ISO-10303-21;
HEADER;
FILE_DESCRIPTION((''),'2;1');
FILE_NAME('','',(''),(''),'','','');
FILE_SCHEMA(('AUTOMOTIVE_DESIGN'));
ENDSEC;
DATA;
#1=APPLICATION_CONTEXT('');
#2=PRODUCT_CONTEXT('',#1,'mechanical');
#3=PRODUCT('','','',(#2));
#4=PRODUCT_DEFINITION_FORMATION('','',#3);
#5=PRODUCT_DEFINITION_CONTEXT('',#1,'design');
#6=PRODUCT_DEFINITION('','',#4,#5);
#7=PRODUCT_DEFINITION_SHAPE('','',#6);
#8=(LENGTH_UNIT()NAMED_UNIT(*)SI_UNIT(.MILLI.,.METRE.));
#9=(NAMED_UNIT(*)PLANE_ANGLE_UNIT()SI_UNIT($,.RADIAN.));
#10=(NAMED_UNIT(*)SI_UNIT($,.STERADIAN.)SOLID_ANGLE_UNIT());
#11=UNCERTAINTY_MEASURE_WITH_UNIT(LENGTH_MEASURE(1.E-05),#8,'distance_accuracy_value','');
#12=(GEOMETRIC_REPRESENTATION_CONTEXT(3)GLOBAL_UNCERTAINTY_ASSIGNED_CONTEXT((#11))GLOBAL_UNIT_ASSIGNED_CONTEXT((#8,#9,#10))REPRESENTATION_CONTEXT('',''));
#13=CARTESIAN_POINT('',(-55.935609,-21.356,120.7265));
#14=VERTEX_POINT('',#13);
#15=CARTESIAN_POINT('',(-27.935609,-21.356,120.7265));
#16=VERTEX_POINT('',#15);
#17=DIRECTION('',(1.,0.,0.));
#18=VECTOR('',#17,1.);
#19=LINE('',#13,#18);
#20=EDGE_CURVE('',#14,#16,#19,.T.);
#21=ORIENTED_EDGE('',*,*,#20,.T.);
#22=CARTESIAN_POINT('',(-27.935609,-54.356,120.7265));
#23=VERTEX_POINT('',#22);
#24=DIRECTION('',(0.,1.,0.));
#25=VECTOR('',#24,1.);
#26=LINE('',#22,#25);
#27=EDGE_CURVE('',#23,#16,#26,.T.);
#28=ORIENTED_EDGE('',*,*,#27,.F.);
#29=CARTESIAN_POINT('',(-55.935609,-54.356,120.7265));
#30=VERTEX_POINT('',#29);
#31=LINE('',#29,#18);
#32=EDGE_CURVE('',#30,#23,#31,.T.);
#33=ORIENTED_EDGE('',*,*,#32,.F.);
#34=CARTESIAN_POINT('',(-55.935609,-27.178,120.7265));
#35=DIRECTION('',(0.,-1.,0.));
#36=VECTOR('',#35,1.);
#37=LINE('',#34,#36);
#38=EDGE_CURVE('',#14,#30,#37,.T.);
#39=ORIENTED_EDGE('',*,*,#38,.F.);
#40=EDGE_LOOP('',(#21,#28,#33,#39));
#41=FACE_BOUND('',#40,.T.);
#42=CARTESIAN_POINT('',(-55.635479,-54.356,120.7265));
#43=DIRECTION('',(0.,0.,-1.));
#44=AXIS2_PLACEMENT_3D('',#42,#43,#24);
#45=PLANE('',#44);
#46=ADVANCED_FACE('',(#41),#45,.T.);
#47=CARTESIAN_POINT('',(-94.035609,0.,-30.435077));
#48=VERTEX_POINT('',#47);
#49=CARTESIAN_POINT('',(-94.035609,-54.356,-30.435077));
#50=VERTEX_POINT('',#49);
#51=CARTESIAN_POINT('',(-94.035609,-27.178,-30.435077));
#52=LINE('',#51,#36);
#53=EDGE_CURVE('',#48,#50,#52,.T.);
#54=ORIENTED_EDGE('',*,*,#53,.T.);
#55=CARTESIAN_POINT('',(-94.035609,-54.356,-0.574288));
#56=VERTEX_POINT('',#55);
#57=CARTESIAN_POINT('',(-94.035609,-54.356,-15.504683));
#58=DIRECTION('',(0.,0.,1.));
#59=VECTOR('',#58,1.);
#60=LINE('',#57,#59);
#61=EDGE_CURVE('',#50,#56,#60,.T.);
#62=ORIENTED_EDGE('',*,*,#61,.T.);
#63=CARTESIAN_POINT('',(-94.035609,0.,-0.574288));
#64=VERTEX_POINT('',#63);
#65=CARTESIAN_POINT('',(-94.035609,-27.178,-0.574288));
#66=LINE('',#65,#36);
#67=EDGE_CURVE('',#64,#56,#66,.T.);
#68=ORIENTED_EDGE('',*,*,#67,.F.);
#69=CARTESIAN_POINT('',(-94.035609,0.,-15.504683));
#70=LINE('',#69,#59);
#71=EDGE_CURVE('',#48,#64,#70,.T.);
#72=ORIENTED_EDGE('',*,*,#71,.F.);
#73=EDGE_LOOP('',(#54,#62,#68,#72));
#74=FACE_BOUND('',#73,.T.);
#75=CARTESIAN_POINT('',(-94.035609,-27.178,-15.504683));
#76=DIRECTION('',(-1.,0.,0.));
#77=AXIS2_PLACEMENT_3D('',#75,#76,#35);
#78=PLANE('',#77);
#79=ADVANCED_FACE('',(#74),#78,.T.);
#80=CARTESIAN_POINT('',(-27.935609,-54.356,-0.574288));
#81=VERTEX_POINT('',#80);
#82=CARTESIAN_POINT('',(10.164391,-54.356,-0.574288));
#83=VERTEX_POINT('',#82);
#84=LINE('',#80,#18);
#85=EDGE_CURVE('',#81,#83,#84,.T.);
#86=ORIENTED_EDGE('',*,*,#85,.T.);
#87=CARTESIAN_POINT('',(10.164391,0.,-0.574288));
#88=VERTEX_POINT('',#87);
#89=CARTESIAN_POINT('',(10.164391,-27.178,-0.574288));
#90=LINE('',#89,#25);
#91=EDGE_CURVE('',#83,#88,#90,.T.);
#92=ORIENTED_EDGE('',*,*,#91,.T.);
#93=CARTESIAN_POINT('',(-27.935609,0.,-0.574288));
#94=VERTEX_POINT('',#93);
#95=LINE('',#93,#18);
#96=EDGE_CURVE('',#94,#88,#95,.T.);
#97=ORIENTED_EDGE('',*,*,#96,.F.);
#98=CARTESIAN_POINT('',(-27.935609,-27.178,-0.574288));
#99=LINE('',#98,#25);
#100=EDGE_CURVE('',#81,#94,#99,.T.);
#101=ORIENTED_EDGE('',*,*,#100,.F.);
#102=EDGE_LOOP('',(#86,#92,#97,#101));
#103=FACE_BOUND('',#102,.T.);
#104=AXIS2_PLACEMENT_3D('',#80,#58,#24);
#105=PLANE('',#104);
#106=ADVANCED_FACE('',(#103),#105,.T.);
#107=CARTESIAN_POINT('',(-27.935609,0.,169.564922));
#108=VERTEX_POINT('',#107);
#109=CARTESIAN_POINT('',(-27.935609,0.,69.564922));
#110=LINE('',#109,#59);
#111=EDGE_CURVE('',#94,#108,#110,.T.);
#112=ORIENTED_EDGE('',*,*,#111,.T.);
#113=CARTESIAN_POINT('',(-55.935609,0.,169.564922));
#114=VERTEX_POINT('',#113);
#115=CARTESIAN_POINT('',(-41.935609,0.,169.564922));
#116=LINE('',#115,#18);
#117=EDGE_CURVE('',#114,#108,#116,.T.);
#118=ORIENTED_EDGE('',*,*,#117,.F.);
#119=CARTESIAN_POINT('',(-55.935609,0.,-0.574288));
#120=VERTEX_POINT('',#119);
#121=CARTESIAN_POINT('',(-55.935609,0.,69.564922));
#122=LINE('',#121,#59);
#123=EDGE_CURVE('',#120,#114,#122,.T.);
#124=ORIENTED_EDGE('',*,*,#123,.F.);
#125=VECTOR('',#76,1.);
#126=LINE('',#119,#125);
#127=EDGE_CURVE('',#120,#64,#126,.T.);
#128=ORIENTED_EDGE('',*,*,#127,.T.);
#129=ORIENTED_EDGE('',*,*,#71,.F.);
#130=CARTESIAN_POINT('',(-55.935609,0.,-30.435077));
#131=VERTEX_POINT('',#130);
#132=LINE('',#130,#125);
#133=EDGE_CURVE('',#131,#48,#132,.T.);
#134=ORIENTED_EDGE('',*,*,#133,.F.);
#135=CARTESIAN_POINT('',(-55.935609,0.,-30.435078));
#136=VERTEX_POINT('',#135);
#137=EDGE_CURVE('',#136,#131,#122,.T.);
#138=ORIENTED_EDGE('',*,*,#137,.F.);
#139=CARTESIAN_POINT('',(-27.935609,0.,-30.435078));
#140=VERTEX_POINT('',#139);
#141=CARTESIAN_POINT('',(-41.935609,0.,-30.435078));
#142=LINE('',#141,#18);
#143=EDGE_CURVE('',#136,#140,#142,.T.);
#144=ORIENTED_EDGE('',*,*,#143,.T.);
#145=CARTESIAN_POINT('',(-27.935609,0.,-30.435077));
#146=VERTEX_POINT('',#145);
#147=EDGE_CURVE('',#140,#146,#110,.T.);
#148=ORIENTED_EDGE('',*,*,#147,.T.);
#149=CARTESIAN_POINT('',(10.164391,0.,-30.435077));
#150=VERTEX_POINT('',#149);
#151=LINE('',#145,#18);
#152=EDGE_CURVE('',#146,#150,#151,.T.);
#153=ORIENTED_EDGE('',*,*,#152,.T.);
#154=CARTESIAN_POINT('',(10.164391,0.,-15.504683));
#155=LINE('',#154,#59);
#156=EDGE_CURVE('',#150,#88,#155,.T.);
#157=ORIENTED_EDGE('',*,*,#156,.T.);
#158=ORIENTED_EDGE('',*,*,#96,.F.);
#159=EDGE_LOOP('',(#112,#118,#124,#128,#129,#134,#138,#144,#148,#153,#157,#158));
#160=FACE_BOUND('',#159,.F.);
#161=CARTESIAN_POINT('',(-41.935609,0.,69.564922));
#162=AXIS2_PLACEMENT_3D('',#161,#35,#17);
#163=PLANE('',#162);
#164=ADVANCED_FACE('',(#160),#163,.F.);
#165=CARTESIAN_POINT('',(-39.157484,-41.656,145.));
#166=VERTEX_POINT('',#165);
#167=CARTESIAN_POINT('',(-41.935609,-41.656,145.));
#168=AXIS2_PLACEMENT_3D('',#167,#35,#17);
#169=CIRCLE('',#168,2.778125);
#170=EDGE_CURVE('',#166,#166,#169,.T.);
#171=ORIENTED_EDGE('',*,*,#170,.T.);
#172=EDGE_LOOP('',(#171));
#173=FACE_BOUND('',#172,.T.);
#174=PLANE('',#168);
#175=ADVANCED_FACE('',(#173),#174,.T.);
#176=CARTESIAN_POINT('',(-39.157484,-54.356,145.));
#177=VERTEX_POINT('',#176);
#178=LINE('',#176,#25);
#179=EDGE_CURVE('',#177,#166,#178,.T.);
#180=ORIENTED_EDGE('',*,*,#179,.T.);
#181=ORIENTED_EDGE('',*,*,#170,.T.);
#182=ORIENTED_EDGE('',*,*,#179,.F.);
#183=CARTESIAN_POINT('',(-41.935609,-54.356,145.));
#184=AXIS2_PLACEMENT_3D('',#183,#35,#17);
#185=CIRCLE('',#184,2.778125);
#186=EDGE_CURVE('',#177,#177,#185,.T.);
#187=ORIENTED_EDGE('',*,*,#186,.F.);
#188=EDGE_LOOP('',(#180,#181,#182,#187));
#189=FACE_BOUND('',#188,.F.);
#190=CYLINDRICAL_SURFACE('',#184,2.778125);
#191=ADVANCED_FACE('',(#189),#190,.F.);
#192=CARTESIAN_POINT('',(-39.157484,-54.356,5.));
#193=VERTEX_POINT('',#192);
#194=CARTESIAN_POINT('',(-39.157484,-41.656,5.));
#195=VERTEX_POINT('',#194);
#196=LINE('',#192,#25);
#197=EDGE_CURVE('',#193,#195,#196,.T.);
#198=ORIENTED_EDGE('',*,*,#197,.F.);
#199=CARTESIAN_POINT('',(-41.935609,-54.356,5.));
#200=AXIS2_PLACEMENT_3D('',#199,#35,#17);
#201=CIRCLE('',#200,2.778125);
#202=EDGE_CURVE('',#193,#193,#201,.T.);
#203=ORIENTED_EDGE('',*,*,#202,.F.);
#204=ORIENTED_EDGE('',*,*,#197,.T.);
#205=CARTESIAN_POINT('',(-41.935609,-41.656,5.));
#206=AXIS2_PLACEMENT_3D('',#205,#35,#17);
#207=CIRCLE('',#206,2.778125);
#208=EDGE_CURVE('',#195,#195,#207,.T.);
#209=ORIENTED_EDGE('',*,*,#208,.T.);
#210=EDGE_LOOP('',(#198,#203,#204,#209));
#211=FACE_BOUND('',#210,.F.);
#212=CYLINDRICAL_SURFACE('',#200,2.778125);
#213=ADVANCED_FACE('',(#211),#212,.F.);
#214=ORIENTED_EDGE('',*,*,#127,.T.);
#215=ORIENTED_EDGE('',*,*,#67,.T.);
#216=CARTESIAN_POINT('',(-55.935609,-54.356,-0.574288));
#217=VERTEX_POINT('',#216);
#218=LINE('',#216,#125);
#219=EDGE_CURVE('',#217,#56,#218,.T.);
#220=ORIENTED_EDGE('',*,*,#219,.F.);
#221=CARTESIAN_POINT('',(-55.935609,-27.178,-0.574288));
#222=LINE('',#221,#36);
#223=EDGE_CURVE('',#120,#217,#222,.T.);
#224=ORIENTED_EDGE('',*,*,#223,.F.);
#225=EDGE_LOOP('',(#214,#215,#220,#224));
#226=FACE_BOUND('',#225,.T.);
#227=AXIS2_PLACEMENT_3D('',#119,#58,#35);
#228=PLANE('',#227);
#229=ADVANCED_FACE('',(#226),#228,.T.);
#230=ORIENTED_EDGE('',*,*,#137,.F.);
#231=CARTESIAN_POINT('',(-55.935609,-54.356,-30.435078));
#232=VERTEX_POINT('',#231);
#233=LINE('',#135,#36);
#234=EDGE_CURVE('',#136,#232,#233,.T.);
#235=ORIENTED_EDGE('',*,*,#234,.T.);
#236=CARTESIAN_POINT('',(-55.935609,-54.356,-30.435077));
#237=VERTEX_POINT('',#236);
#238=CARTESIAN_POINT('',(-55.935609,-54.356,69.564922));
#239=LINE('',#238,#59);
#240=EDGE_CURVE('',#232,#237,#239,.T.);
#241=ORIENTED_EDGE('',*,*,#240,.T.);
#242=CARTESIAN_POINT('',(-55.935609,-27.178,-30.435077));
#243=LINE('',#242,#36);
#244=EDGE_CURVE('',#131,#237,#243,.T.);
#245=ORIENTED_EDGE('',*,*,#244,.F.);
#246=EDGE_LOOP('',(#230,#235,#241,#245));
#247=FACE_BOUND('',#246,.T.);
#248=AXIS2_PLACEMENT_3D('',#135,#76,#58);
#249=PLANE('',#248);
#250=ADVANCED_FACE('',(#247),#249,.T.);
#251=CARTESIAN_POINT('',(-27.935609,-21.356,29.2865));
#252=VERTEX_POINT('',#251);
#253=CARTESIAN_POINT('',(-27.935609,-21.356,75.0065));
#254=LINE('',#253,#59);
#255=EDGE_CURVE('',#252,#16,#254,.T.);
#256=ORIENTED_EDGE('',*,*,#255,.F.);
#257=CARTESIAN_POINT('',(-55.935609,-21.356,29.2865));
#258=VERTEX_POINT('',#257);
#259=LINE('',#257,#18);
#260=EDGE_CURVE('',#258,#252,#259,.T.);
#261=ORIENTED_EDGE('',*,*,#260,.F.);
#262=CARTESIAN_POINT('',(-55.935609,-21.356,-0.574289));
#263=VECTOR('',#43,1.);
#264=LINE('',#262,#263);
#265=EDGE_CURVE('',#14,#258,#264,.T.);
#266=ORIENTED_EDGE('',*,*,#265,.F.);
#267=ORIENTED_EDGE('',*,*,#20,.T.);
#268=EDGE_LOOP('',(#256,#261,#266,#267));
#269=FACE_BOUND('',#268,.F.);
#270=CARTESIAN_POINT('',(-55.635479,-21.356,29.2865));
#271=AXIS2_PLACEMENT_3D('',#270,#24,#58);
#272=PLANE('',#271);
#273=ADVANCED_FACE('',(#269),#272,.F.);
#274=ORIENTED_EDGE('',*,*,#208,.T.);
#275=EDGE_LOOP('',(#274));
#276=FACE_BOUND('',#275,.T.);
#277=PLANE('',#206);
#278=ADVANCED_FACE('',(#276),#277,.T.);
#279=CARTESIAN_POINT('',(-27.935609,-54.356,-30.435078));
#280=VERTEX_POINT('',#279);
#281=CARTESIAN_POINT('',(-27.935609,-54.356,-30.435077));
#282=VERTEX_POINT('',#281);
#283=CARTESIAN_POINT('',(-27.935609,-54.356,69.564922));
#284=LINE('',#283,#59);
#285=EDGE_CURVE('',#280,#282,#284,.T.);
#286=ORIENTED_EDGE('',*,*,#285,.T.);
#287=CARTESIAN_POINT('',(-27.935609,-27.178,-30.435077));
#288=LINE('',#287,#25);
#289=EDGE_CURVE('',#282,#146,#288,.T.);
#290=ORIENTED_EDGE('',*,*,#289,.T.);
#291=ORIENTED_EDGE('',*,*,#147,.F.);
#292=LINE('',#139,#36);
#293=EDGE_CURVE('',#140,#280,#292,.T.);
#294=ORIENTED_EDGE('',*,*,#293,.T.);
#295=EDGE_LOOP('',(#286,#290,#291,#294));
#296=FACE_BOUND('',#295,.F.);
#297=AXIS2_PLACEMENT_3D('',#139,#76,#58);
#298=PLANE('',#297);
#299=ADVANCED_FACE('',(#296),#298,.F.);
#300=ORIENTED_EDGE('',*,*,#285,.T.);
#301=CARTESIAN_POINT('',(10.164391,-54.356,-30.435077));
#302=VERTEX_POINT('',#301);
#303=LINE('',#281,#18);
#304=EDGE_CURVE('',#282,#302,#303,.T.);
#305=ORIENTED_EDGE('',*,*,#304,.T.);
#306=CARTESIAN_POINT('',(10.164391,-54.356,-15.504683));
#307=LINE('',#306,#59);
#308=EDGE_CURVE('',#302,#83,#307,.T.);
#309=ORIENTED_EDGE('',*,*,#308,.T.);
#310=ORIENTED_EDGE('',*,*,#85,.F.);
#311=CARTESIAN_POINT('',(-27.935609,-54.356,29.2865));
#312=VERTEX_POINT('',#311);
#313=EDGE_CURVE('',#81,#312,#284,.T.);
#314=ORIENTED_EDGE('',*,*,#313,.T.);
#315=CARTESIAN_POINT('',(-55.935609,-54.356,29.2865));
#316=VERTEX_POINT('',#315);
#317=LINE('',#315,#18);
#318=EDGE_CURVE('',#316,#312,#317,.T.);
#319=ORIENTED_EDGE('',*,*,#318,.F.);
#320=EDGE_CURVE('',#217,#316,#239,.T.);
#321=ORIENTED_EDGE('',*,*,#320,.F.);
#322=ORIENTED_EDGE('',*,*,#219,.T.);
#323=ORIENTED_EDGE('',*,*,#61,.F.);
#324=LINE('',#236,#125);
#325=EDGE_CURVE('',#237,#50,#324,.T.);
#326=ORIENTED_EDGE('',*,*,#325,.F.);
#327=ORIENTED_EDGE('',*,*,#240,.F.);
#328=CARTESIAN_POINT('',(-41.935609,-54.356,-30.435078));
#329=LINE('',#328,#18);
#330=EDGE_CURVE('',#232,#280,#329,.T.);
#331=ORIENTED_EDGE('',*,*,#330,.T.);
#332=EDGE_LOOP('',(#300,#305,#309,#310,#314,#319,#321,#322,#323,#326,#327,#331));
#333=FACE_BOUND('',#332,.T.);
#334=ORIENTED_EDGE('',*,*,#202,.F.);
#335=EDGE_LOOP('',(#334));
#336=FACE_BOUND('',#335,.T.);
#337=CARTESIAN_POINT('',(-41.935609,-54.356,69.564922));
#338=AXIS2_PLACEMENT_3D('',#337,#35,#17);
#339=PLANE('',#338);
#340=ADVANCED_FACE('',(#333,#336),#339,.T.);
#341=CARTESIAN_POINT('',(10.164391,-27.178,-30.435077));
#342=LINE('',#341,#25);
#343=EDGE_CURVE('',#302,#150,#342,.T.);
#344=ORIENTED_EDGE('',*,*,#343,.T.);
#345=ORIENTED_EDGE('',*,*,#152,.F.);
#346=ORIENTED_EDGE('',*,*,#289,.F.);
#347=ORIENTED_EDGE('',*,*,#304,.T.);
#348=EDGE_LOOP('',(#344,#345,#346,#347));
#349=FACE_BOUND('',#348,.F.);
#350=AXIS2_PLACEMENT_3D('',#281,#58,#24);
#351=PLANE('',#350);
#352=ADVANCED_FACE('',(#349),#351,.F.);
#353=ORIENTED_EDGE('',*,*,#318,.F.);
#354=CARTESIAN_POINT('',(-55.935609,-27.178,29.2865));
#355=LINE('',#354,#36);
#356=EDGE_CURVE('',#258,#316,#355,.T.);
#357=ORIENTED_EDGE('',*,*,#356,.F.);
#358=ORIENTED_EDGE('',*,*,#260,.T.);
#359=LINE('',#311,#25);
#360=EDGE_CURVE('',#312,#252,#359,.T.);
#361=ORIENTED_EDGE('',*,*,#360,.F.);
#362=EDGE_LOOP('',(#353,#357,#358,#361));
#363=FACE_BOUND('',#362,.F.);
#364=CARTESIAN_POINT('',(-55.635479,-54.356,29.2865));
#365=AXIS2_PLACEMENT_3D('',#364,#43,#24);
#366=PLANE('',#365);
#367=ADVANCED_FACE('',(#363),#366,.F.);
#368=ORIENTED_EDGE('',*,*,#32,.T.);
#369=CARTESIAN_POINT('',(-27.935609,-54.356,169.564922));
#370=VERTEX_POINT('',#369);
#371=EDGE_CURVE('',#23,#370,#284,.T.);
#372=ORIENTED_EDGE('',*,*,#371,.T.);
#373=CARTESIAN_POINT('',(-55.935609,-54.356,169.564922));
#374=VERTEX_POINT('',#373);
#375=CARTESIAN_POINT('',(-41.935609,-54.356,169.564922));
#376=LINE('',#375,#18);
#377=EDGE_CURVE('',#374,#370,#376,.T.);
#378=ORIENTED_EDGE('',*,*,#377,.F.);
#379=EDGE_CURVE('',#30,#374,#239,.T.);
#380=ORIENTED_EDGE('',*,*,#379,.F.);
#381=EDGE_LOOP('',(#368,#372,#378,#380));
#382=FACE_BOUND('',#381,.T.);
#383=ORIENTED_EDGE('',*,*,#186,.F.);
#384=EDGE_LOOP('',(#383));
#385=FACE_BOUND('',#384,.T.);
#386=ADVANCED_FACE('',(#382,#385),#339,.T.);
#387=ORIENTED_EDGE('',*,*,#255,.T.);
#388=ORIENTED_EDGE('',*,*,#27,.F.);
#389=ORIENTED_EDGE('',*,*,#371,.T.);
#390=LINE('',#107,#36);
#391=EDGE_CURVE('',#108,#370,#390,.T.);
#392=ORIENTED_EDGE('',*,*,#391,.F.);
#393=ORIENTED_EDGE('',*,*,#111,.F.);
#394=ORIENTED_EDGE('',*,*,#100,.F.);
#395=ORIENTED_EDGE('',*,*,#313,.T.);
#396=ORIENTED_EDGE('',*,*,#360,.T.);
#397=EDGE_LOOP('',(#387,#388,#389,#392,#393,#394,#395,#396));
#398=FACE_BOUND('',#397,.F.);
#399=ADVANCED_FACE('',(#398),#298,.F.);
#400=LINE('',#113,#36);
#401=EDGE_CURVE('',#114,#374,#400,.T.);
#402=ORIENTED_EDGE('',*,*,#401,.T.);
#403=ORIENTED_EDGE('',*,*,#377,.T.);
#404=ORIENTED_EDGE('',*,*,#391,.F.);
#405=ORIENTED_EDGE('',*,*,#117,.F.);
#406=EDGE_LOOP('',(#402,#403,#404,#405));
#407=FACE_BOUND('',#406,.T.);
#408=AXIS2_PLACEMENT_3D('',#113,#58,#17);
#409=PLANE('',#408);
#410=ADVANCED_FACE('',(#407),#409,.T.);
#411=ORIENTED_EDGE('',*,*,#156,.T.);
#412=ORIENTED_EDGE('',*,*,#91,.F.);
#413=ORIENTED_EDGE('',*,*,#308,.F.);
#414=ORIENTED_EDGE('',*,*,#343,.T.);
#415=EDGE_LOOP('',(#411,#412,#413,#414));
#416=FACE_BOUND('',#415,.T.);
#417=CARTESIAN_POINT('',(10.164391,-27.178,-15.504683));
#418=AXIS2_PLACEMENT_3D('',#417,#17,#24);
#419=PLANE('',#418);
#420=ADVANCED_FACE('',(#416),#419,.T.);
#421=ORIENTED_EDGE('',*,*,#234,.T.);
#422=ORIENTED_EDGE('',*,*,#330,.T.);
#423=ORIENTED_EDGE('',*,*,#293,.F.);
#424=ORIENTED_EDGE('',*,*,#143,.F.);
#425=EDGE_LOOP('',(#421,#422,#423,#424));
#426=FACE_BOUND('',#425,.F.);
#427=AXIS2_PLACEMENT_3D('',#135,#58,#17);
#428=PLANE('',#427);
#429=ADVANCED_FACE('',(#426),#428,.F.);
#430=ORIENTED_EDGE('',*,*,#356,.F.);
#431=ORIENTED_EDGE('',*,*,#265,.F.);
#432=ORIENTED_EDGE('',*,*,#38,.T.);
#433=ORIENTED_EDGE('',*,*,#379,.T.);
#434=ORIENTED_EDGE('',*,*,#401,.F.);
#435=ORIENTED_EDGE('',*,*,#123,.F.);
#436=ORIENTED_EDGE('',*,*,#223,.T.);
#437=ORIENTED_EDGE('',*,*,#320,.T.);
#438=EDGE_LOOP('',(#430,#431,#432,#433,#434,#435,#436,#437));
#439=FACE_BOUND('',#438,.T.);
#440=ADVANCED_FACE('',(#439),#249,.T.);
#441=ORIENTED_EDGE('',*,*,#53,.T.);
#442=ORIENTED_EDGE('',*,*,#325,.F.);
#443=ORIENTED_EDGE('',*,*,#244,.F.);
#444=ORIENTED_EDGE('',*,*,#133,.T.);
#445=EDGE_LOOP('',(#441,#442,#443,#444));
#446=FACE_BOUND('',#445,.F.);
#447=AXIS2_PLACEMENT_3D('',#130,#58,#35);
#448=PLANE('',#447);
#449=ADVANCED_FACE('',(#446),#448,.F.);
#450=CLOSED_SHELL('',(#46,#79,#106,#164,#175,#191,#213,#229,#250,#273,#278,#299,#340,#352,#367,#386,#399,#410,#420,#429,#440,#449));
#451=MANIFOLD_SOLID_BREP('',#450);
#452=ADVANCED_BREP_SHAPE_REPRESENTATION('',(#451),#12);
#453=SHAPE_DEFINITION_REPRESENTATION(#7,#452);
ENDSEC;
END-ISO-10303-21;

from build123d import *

# Parameters (mm, degrees)
F0_W      = 28
F0_H      = 200
F1_DEPTH  = 54.356
F3_W      = 27.69987
F3_H      = 91.44
F4_DEPTH  = 33
F4_FACE_W = 33
F4_FACE_H = 91.44
F5_DEPTH  = 25.4
F6_R      = 2.778125
F7_DEPTH  = 12.7
F8_W      = 54.356
F8_H      = 29.860789
F9_DEPTH  = 38.1
F10_W     = 54.356
F10_H     = 29.860789
F11_DEPTH = 38.1


with BuildPart() as f1:
    # F0 (on Front) → F1 (new body)
    with BuildSketch(Plane.XZ):
        with Locations((-41.935609, 69.564922)):
            Rectangle(F0_W, F0_H)
    extrude(amount=F1_DEPTH)

    # F3 (on face) → F4 (cut)
    with BuildSketch(Plane.XZ.offset(54.356)):
        with Locations((-41.785544, 75.0065)):
            Rectangle(F3_W, F3_H)
    extrude(amount=-F4_DEPTH, mode=Mode.SUBTRACT)

    # F4_face (on face) → F5 (cut)
    with BuildSketch(Plane(origin=(-55.635479, -37.856, 75.0065), x_dir=(0, 1, 0), z_dir=(1, 0, 0))):
        Rectangle(F4_FACE_W, F4_FACE_H)
    extrude(amount=-F5_DEPTH, mode=Mode.SUBTRACT)

    # F6 (on face) → F7 (cut)
    with BuildSketch(Plane.XZ.offset(54.356)):
        with Locations((-41.935609, 145)):
            Circle(F6_R)
        with Locations((-41.935609, 5)):
            Circle(F6_R)
    extrude(amount=-F7_DEPTH, mode=Mode.SUBTRACT)

    # F8 (on face) → F9 (join)
    with BuildSketch(Plane.YZ.offset(-27.935609)):
        with Locations((-27.178, -15.504683)):
            Rectangle(F8_W, F8_H)
    extrude(amount=F9_DEPTH)

    # F10 (on face) → F11 (join)
    with BuildSketch(Plane(origin=(-55.935609, 0, 0), x_dir=(0, -1, 0), z_dir=(-1, 0, 0))):
        with Locations((27.178, -15.504683)):
            Rectangle(F10_W, F10_H)
    extrude(amount=F11_DEPTH)


solid = f1.part
